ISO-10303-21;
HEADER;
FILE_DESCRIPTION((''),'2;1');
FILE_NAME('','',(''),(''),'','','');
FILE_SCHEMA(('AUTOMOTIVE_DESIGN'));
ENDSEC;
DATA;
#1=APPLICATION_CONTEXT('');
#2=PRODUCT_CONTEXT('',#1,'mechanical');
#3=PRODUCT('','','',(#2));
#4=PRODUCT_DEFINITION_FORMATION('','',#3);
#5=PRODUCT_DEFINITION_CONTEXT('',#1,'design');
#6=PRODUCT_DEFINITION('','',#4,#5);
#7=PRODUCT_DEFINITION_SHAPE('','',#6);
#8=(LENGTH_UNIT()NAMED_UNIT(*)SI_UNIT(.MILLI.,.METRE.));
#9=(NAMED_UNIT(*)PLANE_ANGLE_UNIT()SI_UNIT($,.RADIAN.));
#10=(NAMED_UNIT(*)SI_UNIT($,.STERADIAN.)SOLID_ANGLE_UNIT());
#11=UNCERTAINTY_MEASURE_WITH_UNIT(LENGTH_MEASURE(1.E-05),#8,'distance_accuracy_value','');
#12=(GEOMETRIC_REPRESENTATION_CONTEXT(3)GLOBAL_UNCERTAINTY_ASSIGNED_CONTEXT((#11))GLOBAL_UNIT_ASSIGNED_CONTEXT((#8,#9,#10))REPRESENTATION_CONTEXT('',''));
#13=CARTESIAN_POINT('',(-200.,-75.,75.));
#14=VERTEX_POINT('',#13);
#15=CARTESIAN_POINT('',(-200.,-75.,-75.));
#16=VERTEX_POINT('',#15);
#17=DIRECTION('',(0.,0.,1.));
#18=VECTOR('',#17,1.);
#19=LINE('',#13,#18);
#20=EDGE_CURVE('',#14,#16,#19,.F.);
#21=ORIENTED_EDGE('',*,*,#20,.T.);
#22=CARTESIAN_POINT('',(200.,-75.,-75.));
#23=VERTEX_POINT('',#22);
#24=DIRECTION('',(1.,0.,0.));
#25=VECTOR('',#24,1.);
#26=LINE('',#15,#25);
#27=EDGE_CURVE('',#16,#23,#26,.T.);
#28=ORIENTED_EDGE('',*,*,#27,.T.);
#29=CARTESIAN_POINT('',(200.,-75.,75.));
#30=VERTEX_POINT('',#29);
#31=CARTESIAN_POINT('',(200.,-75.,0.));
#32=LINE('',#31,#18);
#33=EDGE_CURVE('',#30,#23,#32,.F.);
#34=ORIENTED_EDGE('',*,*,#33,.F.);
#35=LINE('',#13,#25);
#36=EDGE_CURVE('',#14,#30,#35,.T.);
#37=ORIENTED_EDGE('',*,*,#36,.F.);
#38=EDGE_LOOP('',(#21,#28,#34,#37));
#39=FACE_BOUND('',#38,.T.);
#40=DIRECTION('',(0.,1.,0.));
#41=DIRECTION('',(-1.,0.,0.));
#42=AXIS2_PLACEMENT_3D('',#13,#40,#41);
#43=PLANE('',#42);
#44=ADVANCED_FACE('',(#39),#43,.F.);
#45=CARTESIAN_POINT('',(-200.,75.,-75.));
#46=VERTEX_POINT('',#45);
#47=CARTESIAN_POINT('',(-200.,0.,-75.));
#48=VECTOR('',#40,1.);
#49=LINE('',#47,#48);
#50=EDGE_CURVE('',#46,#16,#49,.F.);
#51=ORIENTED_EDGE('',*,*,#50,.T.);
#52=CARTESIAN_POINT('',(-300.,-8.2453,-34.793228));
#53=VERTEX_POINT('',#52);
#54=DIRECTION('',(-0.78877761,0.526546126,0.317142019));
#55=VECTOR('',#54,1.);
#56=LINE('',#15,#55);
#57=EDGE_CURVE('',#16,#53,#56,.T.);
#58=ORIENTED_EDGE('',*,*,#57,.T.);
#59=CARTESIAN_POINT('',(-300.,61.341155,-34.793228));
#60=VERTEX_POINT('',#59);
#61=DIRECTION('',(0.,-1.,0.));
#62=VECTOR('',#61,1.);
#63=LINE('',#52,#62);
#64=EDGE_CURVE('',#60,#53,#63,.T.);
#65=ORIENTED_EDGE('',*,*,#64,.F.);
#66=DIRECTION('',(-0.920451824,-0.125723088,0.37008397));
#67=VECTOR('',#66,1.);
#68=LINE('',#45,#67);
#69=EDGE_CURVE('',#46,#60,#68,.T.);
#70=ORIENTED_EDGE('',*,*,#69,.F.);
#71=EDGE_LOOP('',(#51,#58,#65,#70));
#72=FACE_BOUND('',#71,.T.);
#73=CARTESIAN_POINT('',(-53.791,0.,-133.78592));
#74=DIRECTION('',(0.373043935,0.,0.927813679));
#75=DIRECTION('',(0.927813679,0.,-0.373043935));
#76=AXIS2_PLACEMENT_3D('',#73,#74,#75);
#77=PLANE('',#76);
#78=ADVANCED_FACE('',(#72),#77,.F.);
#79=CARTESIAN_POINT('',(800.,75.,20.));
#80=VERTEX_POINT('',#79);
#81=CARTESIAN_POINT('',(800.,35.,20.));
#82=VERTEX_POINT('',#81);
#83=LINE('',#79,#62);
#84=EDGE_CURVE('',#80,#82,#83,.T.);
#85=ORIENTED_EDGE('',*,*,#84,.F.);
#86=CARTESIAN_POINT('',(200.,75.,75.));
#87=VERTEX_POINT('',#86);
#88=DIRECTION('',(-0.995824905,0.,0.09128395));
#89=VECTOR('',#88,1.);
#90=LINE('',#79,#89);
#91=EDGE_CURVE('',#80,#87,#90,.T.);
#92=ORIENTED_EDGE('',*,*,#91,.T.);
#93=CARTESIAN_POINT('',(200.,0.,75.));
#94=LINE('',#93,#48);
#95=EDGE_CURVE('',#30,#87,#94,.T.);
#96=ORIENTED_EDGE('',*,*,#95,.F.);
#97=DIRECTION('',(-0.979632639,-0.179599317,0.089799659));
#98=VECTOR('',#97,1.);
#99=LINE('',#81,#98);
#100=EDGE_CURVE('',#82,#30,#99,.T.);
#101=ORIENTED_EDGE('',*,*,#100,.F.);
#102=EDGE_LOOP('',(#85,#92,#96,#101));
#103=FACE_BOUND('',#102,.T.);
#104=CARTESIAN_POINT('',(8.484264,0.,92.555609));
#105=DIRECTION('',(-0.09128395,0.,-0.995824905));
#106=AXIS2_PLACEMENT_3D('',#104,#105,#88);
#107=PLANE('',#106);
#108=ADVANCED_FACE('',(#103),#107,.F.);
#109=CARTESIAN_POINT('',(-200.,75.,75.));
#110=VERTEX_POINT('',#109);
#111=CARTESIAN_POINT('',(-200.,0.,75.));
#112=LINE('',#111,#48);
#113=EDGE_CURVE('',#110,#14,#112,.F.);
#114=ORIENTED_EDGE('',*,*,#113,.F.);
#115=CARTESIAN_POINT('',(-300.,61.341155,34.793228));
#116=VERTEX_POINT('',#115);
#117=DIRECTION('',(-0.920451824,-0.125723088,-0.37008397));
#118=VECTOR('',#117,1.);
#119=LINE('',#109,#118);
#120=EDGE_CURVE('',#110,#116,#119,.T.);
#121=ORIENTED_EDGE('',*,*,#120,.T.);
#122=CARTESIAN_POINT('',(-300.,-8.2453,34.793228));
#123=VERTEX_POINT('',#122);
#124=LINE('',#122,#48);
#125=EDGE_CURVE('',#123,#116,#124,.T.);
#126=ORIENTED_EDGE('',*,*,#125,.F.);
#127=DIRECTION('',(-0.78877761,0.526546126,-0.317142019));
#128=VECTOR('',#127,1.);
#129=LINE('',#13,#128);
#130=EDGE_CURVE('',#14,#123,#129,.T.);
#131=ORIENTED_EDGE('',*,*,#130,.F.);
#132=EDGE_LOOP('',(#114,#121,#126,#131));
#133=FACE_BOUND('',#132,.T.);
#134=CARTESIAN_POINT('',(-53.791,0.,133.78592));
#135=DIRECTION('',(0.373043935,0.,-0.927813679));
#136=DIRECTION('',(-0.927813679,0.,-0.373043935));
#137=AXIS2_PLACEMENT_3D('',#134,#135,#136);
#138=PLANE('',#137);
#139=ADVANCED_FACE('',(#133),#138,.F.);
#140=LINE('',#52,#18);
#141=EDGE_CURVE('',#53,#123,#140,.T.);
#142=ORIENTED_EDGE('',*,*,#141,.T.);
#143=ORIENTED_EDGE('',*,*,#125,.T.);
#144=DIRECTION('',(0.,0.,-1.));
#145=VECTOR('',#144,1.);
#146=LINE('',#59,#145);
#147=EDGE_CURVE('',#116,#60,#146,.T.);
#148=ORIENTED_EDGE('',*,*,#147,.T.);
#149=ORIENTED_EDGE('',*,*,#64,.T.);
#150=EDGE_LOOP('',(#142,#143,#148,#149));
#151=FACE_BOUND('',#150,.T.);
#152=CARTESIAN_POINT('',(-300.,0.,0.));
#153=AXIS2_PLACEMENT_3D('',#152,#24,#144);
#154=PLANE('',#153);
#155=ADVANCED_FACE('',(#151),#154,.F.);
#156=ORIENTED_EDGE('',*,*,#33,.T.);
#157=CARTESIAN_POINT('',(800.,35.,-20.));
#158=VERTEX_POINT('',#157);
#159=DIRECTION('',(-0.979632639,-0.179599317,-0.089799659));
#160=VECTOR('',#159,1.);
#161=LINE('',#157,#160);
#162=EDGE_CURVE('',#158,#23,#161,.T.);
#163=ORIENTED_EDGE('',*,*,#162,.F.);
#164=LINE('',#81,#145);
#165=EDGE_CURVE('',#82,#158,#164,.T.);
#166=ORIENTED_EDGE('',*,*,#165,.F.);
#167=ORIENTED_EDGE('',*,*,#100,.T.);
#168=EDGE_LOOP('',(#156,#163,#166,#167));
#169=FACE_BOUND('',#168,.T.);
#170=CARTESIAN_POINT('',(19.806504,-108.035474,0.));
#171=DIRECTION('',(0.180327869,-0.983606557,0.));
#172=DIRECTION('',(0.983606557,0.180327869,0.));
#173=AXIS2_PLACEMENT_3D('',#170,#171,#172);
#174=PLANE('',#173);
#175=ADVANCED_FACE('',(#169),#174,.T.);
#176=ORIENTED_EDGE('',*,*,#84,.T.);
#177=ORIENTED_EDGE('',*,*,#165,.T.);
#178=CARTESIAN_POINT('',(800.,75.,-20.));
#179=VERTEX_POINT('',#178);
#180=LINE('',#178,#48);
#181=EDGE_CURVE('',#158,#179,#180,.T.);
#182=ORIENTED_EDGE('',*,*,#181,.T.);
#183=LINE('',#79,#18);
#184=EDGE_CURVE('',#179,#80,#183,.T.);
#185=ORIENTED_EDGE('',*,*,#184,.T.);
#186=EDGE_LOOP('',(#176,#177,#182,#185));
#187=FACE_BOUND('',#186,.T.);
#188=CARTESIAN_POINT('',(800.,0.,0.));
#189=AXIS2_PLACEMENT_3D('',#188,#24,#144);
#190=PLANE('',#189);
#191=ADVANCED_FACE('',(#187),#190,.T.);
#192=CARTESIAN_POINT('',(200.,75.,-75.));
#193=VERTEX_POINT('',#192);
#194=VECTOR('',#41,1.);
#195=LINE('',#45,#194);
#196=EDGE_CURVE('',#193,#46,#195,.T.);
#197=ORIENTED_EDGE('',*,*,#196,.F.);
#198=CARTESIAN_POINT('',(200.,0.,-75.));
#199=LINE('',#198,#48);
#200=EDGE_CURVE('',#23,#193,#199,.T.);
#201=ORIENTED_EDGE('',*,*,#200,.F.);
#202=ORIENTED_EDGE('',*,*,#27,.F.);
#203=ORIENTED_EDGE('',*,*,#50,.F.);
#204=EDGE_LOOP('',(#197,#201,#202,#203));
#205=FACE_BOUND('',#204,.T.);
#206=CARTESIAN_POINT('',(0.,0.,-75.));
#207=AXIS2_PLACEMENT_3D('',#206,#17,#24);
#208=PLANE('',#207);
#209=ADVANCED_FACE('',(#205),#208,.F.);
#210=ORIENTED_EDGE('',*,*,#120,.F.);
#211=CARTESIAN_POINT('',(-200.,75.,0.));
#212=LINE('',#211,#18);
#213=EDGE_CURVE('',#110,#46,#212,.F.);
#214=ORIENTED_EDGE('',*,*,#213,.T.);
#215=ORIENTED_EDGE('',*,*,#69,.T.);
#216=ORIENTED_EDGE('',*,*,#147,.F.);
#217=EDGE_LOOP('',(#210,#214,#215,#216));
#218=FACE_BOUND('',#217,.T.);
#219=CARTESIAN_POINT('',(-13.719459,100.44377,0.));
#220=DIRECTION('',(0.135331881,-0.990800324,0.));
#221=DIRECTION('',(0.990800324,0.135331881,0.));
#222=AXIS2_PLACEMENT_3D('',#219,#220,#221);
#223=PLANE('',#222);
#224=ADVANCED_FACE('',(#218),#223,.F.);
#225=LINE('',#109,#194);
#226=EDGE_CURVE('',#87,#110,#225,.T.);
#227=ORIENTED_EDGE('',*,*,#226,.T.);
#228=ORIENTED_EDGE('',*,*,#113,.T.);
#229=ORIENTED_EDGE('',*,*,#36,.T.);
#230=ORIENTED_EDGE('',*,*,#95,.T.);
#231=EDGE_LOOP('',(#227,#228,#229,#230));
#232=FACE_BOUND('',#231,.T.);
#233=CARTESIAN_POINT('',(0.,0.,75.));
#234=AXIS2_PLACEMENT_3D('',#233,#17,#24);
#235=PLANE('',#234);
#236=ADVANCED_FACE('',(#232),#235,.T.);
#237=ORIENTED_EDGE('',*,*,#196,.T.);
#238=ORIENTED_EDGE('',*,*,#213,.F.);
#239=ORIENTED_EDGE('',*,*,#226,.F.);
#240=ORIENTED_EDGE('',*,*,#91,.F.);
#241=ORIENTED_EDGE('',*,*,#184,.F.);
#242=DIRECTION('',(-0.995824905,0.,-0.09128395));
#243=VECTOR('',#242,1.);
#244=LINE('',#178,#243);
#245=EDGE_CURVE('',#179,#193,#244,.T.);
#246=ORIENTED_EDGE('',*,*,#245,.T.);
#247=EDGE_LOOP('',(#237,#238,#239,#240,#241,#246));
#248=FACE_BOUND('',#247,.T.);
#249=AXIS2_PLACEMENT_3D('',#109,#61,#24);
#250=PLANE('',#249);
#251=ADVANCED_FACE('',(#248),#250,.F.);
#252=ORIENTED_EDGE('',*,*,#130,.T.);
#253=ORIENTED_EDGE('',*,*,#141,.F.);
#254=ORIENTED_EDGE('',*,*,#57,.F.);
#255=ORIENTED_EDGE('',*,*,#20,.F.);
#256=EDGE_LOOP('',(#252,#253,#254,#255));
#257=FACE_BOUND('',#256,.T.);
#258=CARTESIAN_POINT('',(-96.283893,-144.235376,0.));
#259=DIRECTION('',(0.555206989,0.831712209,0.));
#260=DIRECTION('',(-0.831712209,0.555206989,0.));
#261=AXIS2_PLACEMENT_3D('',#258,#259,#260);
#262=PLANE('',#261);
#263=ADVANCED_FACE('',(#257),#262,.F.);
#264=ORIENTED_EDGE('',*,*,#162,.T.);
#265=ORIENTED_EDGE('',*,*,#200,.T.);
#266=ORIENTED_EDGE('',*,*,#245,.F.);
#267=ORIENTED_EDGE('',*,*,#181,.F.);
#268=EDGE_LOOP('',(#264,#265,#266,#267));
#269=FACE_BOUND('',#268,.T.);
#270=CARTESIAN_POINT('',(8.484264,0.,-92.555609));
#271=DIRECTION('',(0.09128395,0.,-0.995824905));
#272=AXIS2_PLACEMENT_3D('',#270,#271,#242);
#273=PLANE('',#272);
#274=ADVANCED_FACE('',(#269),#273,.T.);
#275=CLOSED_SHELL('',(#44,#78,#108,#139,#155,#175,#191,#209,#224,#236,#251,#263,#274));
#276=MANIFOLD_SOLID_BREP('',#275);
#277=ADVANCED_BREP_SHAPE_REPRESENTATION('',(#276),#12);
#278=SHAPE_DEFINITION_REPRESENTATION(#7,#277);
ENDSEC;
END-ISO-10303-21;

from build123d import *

# Parameters (mm, degrees)
SKETCH1_W           = 400
SKETCH1_H           = 150
BOSS_EXTRUDE2_DEPTH = 75


with BuildPart() as part:
    # Sketch1 → Boss-Extrude2 (new, symmetric)
    with BuildSketch(Plane.XY):
        Rectangle(SKETCH1_W, SKETCH1_H)
    extrude(amount=BOSS_EXTRUDE2_DEPTH, both=True)

    # Sketch3 → section 1 of loft1
    with BuildSketch(Plane.ZY.offset(300), mode=Mode.PRIVATE) as loft1_s1:
        with BuildLine():
            Line((-34.793227556, -8.245300123), (34.793227556, -8.245300123))
            Line((34.793227556, -8.245300123), (34.793227556, 61.34115499))
            Line((34.793227556, 61.34115499), (-34.793227556, 61.34115499))
            Line((-34.793227556, 61.34115499), (-34.793227556, -8.245300123))
        make_face()
    # loft from a face of the part (loft1)
    loft([part.faces().sort_by_distance((-200, 0, 0))[0], loft1_s1.sketch])

    # Sketch5 → section 0 of loft2
    with BuildSketch(Plane(origin=(800, 0, 0), x_dir=(0, 0, -1), z_dir=(1, 0, 0)), mode=Mode.PRIVATE) as loft2_s0:
        with BuildLine():
            Line((-20, 75), (20, 75))
            Line((20, 75), (20, 35))
            Line((20, 35), (-20, 35))
            Line((-20, 35), (-20, 75))
        make_face()
    # loft up to a face of the part (loft2)
    loft([loft2_s0.sketch, part.faces().sort_by_distance((200, 0, 0))[0]])


solid = part.part
